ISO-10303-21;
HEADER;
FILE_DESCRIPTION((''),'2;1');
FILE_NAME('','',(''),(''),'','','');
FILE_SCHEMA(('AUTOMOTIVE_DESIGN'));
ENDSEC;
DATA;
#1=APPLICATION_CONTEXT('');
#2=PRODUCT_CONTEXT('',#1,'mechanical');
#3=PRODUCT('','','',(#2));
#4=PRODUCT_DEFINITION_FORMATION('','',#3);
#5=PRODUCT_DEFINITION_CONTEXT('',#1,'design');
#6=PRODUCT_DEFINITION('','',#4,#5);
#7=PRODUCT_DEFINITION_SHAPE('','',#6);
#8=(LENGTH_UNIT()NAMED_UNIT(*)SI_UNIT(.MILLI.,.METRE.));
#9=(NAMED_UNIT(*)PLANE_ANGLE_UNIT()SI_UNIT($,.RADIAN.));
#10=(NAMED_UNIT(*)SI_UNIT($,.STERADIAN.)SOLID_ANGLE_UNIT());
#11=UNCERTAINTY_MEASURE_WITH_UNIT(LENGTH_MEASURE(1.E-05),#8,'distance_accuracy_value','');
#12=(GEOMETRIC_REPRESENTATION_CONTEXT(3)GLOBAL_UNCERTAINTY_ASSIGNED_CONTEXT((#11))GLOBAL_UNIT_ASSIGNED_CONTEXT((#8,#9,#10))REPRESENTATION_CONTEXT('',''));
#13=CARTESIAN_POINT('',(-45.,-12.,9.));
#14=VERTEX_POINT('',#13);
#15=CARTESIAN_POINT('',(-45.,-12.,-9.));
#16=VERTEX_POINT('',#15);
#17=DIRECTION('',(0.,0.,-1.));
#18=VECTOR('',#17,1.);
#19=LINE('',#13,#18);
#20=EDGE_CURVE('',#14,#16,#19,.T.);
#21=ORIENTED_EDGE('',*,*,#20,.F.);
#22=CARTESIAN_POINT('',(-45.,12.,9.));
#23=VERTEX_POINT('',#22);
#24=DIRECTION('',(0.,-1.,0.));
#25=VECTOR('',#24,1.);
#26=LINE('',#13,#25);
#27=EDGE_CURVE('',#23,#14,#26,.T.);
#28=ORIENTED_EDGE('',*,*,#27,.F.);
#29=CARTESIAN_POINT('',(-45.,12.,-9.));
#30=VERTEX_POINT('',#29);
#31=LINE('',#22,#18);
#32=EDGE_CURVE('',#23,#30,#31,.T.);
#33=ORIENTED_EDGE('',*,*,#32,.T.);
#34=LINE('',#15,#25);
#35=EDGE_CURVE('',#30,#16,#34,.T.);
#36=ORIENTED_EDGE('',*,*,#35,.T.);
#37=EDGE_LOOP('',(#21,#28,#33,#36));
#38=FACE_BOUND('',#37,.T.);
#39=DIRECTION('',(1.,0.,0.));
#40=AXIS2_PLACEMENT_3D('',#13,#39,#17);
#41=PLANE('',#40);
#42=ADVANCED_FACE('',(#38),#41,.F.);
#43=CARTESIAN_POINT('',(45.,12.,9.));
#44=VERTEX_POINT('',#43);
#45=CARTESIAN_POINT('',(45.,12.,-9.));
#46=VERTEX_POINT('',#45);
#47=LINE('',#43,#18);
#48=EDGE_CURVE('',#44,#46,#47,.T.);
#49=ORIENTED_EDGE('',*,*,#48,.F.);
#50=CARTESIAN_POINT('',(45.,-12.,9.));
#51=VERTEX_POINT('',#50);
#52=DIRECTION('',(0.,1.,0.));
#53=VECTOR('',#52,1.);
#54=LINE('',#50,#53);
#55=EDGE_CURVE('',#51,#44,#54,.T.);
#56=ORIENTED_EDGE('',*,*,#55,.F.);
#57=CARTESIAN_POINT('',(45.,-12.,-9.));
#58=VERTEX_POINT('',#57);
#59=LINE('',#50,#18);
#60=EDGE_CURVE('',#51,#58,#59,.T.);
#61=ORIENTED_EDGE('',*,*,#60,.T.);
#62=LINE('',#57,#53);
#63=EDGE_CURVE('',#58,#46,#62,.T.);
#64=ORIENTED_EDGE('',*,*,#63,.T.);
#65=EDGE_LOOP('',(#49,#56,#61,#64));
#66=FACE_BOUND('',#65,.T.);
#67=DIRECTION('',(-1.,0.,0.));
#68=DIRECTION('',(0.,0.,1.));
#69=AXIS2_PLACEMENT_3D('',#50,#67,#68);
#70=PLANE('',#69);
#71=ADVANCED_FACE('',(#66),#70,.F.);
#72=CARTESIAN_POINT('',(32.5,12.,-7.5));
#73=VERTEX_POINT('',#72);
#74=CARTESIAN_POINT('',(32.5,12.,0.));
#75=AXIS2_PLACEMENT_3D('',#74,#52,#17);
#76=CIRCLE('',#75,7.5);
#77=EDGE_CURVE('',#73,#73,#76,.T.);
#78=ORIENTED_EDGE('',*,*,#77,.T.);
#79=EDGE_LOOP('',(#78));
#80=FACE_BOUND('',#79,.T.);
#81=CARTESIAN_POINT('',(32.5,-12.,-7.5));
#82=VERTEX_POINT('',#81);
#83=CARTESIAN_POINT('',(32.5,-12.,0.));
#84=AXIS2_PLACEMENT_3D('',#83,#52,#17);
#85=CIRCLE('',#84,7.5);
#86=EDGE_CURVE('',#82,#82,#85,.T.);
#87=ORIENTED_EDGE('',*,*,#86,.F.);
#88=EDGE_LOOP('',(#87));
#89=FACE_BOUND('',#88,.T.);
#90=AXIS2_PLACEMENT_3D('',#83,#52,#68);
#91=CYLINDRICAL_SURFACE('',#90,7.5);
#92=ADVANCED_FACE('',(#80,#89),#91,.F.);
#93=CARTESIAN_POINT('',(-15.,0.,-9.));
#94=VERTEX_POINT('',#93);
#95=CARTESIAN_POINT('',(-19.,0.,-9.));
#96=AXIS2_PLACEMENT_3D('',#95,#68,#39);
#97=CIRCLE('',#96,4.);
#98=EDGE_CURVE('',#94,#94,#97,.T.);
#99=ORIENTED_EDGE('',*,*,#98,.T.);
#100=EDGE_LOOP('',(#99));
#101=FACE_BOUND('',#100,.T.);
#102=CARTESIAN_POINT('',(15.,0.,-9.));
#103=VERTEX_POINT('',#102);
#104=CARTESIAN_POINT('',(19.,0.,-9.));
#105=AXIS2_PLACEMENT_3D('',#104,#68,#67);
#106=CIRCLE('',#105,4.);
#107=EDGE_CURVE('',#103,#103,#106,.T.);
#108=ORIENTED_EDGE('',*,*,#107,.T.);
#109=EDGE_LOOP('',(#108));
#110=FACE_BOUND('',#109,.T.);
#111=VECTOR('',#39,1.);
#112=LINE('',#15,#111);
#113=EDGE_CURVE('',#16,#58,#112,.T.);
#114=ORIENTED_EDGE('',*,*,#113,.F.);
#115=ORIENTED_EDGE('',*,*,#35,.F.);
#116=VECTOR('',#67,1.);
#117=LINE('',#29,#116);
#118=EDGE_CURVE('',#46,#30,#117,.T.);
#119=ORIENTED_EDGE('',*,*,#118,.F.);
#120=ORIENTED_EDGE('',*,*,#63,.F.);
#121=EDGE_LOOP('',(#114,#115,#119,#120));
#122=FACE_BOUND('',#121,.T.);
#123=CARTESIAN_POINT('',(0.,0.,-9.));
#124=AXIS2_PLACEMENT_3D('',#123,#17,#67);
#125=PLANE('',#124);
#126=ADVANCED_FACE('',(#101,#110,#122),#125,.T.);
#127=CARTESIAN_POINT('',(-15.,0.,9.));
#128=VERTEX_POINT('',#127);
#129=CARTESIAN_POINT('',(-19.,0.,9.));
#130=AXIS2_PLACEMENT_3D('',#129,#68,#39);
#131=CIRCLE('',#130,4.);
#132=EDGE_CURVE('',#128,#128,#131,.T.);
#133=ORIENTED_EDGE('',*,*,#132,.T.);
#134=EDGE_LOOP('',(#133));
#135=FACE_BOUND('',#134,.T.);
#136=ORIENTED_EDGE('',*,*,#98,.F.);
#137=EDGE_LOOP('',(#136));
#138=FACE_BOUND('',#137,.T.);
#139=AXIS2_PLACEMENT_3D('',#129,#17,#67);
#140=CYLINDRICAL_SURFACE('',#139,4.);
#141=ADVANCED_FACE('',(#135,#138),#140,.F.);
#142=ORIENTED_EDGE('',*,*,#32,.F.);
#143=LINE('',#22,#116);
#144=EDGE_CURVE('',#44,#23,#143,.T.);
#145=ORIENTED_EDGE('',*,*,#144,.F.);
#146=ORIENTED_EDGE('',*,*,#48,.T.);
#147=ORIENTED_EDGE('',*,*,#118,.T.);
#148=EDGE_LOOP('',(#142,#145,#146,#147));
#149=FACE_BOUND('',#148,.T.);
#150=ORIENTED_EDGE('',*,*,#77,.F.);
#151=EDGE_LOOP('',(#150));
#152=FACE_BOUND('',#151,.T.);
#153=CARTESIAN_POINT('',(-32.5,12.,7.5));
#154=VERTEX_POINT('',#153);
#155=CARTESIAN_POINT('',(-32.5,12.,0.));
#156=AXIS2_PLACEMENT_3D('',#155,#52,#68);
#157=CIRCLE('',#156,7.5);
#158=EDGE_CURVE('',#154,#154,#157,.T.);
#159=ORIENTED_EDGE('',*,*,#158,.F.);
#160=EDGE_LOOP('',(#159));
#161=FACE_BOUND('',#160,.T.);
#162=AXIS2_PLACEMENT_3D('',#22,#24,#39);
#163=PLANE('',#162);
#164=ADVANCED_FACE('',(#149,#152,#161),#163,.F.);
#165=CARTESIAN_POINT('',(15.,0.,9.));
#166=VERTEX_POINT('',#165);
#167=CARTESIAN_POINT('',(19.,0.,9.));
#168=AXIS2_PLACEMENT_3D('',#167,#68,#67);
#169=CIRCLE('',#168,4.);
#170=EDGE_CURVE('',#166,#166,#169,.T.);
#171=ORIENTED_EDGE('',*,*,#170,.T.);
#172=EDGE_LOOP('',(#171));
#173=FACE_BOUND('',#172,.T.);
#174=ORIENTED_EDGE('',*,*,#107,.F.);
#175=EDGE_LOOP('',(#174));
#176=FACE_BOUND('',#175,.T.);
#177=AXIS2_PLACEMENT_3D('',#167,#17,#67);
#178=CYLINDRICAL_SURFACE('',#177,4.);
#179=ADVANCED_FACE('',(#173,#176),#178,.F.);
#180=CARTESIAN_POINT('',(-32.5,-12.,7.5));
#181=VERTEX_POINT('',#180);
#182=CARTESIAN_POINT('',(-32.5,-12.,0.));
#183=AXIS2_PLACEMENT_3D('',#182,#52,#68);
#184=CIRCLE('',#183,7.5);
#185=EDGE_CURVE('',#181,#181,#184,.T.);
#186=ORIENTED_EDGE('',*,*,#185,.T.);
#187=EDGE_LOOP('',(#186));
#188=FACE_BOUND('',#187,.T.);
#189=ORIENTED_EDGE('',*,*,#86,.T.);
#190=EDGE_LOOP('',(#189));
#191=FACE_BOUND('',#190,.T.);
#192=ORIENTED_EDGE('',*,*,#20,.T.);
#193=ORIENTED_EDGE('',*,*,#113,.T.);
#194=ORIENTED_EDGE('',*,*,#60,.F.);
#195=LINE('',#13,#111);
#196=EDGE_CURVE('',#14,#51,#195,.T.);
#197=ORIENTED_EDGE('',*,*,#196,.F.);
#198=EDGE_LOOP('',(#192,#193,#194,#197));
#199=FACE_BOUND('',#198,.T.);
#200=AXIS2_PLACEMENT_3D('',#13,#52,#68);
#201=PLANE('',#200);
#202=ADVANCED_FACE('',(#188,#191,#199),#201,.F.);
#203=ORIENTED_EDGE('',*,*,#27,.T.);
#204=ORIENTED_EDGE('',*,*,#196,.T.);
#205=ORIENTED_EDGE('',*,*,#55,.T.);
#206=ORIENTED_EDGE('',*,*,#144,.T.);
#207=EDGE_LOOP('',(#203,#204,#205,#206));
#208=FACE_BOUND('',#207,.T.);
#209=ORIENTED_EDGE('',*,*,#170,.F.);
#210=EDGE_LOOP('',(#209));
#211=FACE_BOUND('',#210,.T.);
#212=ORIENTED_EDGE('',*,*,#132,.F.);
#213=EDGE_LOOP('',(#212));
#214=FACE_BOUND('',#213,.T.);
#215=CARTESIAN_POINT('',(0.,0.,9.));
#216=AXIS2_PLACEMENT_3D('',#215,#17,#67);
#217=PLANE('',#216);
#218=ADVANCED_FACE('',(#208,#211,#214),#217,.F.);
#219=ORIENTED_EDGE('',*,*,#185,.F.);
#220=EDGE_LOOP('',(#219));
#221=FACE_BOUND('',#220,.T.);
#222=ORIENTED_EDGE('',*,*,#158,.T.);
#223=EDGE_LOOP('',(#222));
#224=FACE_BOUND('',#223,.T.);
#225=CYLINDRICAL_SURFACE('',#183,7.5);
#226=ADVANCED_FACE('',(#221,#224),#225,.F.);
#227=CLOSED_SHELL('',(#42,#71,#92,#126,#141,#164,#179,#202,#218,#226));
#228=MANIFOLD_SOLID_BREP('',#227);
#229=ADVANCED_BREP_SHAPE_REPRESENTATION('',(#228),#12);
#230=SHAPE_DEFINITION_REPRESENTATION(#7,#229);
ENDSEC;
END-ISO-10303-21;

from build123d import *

# Parameters (mm, degrees)
SKETCH1_W           = 90
SKETCH1_H           = 24
SKETCH1_R           = 4
BOSS_EXTRUDE1_DEPTH = 9
SKETCH2_R           = 7.5
CUT_EXTRUDE3_DEPTH  = 52.788029505


with BuildPart() as part:
    # Sketch1 → Boss-Extrude1 (new, symmetric)
    with BuildSketch(Plane.XY):
        Rectangle(SKETCH1_W, SKETCH1_H)
        with Locations((-19, 0)):
            Circle(SKETCH1_R, mode=Mode.SUBTRACT)
        with Locations(Location((19, 0, 0), (0, 0, 180))):
            Circle(SKETCH1_R, mode=Mode.SUBTRACT)
    extrude(amount=BOSS_EXTRUDE1_DEPTH, both=True)

    # Sketch2 → Cut-Extrude3 (cut, through all)
    with BuildSketch(Plane(origin=(0, 12, 0), x_dir=(1, 0, 0), z_dir=(0, 1, 0))):
        with Locations(Location((-32.5, 0, 0), (0, 0, 270))):
            Circle(SKETCH2_R)
        with Locations(Location((32.5, 0, 0), (0, 0, 90))):
            Circle(SKETCH2_R)
    extrude(amount=-CUT_EXTRUDE3_DEPTH, mode=Mode.SUBTRACT)


solid = part.part
